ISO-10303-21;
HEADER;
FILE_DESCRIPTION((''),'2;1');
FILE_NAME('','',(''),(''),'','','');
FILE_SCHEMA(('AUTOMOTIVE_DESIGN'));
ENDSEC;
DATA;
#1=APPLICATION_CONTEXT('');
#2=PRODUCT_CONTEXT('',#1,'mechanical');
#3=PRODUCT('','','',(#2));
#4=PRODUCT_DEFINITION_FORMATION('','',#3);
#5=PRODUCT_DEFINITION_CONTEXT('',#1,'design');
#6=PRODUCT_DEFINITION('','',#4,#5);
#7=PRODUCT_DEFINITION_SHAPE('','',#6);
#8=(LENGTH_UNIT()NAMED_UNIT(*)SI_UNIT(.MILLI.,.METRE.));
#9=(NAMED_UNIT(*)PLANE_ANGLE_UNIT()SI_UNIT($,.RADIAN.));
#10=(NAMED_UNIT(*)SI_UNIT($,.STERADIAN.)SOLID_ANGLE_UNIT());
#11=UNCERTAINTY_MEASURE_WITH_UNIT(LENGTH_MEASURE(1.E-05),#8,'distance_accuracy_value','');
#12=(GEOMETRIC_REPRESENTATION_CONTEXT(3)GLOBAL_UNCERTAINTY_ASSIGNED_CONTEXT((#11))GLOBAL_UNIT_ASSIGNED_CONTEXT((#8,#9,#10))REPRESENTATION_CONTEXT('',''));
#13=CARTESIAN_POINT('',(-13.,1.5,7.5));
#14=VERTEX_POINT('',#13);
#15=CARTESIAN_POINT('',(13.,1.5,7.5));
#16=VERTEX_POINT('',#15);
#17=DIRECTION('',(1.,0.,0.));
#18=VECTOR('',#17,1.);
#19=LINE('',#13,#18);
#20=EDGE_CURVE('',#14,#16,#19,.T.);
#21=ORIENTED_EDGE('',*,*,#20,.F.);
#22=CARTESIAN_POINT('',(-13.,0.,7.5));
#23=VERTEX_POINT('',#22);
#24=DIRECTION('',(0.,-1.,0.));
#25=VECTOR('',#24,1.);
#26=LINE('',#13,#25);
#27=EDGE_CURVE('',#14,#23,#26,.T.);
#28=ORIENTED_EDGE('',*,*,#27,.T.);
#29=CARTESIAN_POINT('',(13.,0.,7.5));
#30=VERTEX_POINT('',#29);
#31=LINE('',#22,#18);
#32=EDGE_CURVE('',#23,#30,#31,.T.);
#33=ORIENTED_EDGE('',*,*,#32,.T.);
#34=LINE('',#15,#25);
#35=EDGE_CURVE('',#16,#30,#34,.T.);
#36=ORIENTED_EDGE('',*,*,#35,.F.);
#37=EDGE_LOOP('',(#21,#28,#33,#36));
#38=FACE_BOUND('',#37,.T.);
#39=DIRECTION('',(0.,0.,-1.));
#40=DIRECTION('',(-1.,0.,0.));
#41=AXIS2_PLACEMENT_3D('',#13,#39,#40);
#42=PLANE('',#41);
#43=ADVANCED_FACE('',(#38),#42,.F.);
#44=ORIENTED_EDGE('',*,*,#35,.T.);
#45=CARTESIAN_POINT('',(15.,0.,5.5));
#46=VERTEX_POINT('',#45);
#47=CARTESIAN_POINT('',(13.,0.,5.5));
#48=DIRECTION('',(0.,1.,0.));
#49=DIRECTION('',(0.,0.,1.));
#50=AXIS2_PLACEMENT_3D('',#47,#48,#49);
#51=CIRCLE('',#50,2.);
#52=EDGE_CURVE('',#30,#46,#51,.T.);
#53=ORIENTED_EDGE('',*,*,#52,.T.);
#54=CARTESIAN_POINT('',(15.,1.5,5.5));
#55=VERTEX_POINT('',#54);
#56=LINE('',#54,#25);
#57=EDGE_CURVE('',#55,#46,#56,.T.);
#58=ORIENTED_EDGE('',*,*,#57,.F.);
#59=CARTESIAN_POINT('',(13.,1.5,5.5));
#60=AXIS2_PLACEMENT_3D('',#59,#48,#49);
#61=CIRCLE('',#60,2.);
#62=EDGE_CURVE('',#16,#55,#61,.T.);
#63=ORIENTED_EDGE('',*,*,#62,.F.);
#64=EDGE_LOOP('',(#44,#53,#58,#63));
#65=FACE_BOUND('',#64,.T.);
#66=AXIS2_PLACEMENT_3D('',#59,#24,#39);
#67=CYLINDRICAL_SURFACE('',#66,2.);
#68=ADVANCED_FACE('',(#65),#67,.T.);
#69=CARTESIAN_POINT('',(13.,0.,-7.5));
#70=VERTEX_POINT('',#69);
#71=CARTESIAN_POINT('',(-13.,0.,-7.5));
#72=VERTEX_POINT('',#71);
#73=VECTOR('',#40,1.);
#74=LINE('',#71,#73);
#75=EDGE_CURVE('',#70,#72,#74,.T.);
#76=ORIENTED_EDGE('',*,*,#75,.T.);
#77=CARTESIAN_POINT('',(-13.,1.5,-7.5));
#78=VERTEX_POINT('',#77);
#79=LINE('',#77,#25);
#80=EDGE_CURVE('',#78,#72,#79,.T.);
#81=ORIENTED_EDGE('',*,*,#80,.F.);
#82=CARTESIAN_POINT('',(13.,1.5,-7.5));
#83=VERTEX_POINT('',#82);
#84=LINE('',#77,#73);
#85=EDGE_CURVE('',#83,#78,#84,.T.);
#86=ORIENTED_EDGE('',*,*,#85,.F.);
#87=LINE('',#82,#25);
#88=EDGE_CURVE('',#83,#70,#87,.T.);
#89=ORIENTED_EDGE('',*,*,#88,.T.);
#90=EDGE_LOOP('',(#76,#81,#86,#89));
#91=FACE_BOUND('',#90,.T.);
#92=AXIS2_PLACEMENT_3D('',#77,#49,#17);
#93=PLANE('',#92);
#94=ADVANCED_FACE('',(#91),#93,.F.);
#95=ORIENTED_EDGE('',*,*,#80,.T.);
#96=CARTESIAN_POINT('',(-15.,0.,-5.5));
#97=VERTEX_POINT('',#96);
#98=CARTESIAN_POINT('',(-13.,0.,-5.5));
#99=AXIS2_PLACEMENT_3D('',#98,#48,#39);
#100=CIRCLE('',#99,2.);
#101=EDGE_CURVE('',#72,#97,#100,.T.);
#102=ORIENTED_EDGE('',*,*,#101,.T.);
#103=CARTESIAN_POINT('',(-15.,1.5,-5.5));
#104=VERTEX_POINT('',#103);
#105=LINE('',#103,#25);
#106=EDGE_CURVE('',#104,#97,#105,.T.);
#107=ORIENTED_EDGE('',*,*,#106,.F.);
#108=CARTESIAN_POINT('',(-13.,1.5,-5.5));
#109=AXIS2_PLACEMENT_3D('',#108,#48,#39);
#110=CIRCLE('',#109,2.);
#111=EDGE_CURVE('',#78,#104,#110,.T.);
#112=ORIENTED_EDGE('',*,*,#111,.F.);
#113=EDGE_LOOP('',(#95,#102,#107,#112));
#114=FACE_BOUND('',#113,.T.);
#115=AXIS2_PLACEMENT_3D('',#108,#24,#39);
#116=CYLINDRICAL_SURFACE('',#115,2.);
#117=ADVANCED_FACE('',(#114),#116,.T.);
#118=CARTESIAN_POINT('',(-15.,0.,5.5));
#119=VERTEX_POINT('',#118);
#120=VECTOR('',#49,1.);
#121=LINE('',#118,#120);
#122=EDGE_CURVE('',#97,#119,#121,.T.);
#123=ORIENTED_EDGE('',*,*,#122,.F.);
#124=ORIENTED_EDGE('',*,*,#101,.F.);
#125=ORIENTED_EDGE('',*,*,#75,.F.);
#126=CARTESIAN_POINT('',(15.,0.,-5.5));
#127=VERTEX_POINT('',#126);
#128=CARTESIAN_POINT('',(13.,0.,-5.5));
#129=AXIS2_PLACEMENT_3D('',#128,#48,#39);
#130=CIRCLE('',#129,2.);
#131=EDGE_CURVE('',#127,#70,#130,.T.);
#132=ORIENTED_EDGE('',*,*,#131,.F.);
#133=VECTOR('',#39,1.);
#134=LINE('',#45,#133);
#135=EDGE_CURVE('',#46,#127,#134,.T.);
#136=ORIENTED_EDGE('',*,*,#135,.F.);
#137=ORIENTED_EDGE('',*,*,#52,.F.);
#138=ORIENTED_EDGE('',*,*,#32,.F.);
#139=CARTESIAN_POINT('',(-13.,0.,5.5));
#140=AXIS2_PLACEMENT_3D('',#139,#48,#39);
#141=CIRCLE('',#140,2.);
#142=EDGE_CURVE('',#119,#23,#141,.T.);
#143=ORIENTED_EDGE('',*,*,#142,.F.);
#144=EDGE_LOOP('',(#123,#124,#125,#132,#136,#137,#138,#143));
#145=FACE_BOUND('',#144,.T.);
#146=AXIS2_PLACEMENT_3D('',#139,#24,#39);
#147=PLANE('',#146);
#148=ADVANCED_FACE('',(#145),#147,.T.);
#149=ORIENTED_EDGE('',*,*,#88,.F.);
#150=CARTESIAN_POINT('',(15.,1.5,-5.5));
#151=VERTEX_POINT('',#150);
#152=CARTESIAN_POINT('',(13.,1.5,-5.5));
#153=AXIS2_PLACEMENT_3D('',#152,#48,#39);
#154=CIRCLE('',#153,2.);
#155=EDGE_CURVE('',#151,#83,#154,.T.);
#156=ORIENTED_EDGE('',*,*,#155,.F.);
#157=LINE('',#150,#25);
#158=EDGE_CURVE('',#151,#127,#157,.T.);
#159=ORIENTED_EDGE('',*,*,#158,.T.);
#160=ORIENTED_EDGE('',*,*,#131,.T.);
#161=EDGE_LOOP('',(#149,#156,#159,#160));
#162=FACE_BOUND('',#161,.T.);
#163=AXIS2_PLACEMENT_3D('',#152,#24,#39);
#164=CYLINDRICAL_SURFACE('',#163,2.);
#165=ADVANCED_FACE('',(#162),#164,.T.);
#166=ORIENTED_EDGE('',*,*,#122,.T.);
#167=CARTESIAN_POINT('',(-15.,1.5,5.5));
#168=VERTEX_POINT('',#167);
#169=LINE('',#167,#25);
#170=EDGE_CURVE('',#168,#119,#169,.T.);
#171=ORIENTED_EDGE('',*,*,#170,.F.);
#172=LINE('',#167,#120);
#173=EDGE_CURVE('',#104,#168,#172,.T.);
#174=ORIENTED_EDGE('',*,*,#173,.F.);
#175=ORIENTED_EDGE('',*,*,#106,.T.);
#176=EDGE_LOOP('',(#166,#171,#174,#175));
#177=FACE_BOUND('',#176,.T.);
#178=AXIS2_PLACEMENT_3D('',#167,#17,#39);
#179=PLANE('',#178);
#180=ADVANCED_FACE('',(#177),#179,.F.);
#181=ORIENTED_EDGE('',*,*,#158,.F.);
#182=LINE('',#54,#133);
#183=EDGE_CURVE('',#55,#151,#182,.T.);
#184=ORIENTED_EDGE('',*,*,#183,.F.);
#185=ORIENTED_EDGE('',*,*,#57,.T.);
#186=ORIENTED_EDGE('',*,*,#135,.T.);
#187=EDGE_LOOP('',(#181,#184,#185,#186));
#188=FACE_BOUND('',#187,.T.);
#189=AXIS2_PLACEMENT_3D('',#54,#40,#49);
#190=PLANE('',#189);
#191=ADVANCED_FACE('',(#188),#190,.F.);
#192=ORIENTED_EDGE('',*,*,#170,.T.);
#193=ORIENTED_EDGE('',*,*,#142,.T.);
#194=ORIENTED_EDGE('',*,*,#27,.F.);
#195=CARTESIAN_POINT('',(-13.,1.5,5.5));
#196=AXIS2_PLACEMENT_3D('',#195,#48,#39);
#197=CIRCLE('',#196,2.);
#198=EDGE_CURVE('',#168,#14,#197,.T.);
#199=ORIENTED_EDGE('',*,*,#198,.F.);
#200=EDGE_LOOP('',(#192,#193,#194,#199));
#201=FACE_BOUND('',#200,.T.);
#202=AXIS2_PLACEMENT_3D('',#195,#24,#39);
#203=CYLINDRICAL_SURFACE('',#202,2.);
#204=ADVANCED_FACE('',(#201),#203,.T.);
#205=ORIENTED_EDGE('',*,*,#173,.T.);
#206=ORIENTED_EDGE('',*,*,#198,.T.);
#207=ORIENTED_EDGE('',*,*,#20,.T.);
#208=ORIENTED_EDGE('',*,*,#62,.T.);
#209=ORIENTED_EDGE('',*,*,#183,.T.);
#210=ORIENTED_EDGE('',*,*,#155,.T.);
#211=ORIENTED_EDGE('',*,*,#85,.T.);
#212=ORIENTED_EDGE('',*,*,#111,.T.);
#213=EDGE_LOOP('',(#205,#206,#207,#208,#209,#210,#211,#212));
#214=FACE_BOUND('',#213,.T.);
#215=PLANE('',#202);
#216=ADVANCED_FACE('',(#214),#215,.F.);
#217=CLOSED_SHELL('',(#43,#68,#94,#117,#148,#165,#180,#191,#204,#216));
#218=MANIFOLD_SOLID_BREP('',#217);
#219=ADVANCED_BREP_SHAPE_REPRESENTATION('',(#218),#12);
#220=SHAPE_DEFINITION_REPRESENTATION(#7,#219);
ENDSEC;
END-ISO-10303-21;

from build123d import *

# Parameters (mm, degrees)
EXTRUDE_1_DEPTH = 1.5


with BuildPart() as part:
    # 草图1 → 凸台-拉伸1 (new body)
    with BuildSketch(Plane(origin=(0, 0, 0), x_dir=(1, 0, 0), z_dir=(0, 1, 0))):
        with BuildLine():
            Line((-13, -7.5), (13, -7.5))
            ThreePointArc((13, -7.5), (14.414213562, -6.914213562), (15, -5.5))
            Line((15, -5.5), (15, 5.5))
            ThreePointArc((15, 5.5), (14.414213562, 6.914213562), (13, 7.5))
            Line((13, 7.5), (-13, 7.5))
            ThreePointArc((-13, 7.5), (-14.414213562, 6.914213562), (-15, 5.5))
            Line((-15, 5.5), (-15, -5.5))
            ThreePointArc((-15, -5.5), (-14.414213562, -6.914213562), (-13, -7.5))
        make_face()
    extrude(amount=EXTRUDE_1_DEPTH)


solid = part.part
